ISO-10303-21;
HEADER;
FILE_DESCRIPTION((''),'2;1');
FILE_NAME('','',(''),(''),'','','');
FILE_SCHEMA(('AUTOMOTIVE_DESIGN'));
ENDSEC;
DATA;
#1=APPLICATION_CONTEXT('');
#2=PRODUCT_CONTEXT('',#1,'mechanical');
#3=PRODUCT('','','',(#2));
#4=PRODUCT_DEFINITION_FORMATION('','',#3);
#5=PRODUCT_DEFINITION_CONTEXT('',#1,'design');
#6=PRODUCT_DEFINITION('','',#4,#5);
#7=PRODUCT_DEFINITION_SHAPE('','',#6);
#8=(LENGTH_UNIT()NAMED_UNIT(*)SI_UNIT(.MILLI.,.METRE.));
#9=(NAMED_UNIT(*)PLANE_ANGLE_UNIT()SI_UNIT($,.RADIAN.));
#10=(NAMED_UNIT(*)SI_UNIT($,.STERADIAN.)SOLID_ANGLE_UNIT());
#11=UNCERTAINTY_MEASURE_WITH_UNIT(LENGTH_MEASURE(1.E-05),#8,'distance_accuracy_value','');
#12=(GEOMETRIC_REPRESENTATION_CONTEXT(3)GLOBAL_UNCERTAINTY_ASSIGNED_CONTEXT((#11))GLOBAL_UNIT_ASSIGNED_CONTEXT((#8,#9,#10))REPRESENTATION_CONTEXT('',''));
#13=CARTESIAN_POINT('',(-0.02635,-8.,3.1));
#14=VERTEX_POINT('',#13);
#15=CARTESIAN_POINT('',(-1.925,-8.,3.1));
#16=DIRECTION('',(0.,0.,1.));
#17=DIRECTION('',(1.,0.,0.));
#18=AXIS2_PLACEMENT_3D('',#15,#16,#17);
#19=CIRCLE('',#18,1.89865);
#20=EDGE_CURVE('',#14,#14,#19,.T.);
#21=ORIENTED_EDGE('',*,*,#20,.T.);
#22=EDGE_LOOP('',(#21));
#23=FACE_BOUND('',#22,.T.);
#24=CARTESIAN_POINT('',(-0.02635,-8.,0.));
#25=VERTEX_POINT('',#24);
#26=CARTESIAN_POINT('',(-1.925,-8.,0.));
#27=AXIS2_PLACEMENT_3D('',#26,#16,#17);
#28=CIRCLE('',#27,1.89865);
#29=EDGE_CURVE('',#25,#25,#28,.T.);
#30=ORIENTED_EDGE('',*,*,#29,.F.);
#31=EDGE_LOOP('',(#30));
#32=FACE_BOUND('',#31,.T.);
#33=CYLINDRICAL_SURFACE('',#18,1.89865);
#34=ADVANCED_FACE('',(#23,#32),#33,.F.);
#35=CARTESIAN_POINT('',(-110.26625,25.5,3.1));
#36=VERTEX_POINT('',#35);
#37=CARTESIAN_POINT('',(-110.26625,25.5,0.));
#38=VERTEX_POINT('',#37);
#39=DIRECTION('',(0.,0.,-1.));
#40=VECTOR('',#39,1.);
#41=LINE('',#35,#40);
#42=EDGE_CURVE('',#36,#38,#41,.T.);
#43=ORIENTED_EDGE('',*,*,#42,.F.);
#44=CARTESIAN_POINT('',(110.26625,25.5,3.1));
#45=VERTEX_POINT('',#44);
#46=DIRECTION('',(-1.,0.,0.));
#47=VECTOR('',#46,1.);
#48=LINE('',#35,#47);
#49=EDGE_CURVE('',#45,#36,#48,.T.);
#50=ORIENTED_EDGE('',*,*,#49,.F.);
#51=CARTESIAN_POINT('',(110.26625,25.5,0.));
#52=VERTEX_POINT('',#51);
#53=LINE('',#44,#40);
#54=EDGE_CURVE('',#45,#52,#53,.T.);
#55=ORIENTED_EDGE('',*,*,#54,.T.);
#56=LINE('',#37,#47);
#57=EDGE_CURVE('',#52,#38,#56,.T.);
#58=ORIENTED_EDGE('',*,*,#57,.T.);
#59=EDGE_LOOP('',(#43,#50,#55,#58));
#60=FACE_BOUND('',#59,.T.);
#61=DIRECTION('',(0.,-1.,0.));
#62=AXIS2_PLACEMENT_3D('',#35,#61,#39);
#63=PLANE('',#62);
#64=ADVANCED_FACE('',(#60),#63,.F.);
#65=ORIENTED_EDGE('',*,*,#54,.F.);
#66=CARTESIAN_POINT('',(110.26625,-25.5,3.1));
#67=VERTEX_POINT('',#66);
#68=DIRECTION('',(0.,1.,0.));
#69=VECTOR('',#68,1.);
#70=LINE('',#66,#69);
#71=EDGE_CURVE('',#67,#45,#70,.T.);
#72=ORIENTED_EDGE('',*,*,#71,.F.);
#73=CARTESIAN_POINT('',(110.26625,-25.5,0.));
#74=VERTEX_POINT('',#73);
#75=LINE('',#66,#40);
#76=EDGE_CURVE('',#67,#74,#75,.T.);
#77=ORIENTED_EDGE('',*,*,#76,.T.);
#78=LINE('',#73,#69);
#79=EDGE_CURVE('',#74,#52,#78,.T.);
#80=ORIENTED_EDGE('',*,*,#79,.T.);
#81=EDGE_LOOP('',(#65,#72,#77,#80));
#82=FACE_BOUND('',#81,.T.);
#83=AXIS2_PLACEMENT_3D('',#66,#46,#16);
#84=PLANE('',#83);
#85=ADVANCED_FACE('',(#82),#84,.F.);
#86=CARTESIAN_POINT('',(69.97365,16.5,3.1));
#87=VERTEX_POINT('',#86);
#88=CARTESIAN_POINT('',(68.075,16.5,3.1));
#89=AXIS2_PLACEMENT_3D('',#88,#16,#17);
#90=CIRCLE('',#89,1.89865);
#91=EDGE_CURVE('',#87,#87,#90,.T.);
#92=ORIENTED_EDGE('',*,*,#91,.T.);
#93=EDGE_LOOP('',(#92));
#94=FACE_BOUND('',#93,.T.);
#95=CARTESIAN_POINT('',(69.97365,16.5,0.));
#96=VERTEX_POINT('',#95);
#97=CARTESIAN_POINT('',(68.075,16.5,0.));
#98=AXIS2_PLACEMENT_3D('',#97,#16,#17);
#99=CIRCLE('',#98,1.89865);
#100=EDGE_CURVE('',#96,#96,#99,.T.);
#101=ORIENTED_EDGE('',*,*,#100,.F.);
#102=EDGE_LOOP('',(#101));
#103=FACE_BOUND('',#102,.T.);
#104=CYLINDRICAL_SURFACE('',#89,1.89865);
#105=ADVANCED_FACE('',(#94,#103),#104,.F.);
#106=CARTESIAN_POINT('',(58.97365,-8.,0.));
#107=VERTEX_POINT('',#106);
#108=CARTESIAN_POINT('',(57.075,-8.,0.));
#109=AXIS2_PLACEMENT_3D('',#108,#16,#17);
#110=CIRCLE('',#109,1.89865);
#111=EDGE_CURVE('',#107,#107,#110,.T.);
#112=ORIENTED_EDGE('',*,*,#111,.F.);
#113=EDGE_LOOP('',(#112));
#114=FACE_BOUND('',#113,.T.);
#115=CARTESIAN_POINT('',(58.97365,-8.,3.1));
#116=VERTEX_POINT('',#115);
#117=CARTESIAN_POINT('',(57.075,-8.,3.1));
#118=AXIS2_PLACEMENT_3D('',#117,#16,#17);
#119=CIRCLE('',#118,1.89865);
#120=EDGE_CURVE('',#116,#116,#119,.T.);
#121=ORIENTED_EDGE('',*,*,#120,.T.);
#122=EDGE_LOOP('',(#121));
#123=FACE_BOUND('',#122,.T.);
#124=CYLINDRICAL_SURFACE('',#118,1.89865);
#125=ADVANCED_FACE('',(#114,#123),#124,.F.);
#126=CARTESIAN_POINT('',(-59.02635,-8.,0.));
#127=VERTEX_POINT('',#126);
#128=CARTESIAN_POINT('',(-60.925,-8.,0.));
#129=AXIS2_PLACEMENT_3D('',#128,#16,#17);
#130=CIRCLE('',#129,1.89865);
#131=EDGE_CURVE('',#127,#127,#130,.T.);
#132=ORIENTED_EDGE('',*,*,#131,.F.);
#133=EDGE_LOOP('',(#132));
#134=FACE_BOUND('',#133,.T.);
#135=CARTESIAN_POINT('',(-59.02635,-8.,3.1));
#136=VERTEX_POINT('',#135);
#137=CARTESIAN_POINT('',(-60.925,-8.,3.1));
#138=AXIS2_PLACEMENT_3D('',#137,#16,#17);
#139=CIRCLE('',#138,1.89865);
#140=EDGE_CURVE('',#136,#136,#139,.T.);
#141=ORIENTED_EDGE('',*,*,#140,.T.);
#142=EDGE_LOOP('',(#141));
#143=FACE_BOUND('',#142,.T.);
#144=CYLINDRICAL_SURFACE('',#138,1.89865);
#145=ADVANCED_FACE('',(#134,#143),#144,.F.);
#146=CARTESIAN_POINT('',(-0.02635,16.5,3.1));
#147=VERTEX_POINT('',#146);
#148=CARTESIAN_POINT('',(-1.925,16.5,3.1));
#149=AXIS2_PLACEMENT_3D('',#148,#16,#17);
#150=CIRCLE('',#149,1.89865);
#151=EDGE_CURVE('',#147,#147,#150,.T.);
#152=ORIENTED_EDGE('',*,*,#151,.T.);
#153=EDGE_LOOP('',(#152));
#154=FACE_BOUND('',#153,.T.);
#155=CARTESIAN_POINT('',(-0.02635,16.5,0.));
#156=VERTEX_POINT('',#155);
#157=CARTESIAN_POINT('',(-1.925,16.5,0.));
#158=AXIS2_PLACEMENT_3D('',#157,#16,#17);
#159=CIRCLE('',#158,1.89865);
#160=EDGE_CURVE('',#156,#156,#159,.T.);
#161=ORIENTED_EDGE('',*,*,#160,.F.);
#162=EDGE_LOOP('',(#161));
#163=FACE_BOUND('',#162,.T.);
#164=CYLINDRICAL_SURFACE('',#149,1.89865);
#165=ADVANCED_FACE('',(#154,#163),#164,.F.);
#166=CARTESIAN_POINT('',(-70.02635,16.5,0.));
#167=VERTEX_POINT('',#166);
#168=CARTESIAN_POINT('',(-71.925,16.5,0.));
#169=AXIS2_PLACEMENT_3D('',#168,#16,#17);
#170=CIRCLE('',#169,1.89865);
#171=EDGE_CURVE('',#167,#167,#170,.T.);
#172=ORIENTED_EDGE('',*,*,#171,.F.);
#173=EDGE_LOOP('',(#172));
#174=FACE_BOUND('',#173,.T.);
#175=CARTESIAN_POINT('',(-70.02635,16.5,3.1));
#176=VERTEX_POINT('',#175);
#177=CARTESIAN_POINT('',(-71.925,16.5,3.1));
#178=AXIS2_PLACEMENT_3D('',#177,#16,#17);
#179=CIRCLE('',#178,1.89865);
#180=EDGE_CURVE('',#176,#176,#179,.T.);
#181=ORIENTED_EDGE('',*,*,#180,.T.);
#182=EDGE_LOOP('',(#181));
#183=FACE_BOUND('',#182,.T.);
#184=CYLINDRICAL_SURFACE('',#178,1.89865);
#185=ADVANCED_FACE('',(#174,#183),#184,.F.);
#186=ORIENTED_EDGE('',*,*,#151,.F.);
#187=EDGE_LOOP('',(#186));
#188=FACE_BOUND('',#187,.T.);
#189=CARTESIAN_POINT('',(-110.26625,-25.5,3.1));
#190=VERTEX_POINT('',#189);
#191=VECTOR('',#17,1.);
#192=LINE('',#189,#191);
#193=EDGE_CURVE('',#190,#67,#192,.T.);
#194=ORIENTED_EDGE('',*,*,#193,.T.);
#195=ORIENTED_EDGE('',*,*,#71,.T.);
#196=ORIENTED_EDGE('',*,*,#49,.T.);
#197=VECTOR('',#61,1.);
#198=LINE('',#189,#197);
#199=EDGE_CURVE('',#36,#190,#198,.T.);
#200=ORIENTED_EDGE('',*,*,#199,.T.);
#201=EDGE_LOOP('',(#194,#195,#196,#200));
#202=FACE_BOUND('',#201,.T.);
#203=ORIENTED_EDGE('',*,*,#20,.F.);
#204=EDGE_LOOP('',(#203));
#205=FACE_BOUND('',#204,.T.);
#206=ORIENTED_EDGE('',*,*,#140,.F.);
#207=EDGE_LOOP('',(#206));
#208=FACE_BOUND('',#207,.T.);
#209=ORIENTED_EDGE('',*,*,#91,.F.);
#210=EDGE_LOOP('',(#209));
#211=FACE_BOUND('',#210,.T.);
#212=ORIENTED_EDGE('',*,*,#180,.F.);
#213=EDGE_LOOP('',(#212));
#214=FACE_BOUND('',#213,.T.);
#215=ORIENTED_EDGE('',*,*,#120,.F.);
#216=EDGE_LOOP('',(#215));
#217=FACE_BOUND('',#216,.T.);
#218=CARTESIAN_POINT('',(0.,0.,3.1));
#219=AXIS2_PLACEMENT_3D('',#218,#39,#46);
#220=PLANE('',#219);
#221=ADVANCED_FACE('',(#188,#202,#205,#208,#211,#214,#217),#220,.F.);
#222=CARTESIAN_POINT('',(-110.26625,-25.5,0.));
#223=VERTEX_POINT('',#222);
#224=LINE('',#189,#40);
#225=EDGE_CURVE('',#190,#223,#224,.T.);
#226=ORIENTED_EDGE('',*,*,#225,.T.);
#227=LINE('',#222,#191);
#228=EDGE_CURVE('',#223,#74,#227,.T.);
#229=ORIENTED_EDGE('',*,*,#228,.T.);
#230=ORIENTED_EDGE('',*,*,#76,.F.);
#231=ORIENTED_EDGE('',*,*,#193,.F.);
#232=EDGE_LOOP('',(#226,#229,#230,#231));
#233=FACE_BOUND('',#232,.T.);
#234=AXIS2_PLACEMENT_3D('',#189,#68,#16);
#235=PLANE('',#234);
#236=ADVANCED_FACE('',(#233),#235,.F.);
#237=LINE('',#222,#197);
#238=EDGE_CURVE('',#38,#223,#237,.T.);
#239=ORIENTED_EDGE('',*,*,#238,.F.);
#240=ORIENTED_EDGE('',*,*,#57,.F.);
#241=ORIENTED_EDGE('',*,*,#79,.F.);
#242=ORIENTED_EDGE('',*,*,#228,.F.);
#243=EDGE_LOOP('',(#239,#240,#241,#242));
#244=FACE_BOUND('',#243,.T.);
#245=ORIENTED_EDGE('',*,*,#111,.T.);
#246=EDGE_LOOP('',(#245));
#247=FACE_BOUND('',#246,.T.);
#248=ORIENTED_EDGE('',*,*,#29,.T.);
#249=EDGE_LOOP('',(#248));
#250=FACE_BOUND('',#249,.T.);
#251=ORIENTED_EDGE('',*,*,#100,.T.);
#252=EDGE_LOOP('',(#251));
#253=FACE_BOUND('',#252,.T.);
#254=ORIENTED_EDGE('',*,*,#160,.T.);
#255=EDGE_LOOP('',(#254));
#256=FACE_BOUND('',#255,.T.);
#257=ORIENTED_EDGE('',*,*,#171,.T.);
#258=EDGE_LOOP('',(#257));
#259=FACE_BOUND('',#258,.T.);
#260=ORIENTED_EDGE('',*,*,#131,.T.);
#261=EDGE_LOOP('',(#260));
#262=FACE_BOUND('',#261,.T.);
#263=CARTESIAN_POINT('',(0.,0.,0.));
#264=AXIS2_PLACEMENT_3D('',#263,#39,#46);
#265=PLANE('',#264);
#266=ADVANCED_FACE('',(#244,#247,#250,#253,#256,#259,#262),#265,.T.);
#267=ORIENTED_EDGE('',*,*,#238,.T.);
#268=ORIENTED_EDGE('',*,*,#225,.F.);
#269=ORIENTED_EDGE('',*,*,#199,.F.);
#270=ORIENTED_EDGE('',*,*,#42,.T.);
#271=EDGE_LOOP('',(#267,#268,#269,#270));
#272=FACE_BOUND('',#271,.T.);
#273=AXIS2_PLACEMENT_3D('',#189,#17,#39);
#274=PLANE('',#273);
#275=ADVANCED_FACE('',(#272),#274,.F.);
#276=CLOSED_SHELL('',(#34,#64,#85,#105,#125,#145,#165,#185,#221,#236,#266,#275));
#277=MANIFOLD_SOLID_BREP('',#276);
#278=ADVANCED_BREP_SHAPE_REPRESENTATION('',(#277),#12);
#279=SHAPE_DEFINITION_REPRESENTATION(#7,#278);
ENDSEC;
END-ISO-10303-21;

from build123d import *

# Parameters (mm, degrees)
SKETCH1_W             = 220.5325
SKETCH1_H             = 51
BOSS_EXTRUDE1_DEPTH   = 3.1
F_6_CLEARANCE_HOLE1_D = 3.7973


with BuildPart() as part:
    # Sketch1 → Boss-Extrude1 (new body)
    with BuildSketch(Plane.XY):
        Rectangle(SKETCH1_W, SKETCH1_H)
    extrude(amount=BOSS_EXTRUDE1_DEPTH)

    # #6 Clearance Hole1 (through all)
    with Locations(Plane.XY.offset(3.1)):
        with Locations((-71.925, 16.5), (-60.925, -8), (-1.925, -8), (-1.925, 16.5), (68.075, 16.5), (57.075, -8)):
            Hole(F_6_CLEARANCE_HOLE1_D / 2)


solid = part.part
